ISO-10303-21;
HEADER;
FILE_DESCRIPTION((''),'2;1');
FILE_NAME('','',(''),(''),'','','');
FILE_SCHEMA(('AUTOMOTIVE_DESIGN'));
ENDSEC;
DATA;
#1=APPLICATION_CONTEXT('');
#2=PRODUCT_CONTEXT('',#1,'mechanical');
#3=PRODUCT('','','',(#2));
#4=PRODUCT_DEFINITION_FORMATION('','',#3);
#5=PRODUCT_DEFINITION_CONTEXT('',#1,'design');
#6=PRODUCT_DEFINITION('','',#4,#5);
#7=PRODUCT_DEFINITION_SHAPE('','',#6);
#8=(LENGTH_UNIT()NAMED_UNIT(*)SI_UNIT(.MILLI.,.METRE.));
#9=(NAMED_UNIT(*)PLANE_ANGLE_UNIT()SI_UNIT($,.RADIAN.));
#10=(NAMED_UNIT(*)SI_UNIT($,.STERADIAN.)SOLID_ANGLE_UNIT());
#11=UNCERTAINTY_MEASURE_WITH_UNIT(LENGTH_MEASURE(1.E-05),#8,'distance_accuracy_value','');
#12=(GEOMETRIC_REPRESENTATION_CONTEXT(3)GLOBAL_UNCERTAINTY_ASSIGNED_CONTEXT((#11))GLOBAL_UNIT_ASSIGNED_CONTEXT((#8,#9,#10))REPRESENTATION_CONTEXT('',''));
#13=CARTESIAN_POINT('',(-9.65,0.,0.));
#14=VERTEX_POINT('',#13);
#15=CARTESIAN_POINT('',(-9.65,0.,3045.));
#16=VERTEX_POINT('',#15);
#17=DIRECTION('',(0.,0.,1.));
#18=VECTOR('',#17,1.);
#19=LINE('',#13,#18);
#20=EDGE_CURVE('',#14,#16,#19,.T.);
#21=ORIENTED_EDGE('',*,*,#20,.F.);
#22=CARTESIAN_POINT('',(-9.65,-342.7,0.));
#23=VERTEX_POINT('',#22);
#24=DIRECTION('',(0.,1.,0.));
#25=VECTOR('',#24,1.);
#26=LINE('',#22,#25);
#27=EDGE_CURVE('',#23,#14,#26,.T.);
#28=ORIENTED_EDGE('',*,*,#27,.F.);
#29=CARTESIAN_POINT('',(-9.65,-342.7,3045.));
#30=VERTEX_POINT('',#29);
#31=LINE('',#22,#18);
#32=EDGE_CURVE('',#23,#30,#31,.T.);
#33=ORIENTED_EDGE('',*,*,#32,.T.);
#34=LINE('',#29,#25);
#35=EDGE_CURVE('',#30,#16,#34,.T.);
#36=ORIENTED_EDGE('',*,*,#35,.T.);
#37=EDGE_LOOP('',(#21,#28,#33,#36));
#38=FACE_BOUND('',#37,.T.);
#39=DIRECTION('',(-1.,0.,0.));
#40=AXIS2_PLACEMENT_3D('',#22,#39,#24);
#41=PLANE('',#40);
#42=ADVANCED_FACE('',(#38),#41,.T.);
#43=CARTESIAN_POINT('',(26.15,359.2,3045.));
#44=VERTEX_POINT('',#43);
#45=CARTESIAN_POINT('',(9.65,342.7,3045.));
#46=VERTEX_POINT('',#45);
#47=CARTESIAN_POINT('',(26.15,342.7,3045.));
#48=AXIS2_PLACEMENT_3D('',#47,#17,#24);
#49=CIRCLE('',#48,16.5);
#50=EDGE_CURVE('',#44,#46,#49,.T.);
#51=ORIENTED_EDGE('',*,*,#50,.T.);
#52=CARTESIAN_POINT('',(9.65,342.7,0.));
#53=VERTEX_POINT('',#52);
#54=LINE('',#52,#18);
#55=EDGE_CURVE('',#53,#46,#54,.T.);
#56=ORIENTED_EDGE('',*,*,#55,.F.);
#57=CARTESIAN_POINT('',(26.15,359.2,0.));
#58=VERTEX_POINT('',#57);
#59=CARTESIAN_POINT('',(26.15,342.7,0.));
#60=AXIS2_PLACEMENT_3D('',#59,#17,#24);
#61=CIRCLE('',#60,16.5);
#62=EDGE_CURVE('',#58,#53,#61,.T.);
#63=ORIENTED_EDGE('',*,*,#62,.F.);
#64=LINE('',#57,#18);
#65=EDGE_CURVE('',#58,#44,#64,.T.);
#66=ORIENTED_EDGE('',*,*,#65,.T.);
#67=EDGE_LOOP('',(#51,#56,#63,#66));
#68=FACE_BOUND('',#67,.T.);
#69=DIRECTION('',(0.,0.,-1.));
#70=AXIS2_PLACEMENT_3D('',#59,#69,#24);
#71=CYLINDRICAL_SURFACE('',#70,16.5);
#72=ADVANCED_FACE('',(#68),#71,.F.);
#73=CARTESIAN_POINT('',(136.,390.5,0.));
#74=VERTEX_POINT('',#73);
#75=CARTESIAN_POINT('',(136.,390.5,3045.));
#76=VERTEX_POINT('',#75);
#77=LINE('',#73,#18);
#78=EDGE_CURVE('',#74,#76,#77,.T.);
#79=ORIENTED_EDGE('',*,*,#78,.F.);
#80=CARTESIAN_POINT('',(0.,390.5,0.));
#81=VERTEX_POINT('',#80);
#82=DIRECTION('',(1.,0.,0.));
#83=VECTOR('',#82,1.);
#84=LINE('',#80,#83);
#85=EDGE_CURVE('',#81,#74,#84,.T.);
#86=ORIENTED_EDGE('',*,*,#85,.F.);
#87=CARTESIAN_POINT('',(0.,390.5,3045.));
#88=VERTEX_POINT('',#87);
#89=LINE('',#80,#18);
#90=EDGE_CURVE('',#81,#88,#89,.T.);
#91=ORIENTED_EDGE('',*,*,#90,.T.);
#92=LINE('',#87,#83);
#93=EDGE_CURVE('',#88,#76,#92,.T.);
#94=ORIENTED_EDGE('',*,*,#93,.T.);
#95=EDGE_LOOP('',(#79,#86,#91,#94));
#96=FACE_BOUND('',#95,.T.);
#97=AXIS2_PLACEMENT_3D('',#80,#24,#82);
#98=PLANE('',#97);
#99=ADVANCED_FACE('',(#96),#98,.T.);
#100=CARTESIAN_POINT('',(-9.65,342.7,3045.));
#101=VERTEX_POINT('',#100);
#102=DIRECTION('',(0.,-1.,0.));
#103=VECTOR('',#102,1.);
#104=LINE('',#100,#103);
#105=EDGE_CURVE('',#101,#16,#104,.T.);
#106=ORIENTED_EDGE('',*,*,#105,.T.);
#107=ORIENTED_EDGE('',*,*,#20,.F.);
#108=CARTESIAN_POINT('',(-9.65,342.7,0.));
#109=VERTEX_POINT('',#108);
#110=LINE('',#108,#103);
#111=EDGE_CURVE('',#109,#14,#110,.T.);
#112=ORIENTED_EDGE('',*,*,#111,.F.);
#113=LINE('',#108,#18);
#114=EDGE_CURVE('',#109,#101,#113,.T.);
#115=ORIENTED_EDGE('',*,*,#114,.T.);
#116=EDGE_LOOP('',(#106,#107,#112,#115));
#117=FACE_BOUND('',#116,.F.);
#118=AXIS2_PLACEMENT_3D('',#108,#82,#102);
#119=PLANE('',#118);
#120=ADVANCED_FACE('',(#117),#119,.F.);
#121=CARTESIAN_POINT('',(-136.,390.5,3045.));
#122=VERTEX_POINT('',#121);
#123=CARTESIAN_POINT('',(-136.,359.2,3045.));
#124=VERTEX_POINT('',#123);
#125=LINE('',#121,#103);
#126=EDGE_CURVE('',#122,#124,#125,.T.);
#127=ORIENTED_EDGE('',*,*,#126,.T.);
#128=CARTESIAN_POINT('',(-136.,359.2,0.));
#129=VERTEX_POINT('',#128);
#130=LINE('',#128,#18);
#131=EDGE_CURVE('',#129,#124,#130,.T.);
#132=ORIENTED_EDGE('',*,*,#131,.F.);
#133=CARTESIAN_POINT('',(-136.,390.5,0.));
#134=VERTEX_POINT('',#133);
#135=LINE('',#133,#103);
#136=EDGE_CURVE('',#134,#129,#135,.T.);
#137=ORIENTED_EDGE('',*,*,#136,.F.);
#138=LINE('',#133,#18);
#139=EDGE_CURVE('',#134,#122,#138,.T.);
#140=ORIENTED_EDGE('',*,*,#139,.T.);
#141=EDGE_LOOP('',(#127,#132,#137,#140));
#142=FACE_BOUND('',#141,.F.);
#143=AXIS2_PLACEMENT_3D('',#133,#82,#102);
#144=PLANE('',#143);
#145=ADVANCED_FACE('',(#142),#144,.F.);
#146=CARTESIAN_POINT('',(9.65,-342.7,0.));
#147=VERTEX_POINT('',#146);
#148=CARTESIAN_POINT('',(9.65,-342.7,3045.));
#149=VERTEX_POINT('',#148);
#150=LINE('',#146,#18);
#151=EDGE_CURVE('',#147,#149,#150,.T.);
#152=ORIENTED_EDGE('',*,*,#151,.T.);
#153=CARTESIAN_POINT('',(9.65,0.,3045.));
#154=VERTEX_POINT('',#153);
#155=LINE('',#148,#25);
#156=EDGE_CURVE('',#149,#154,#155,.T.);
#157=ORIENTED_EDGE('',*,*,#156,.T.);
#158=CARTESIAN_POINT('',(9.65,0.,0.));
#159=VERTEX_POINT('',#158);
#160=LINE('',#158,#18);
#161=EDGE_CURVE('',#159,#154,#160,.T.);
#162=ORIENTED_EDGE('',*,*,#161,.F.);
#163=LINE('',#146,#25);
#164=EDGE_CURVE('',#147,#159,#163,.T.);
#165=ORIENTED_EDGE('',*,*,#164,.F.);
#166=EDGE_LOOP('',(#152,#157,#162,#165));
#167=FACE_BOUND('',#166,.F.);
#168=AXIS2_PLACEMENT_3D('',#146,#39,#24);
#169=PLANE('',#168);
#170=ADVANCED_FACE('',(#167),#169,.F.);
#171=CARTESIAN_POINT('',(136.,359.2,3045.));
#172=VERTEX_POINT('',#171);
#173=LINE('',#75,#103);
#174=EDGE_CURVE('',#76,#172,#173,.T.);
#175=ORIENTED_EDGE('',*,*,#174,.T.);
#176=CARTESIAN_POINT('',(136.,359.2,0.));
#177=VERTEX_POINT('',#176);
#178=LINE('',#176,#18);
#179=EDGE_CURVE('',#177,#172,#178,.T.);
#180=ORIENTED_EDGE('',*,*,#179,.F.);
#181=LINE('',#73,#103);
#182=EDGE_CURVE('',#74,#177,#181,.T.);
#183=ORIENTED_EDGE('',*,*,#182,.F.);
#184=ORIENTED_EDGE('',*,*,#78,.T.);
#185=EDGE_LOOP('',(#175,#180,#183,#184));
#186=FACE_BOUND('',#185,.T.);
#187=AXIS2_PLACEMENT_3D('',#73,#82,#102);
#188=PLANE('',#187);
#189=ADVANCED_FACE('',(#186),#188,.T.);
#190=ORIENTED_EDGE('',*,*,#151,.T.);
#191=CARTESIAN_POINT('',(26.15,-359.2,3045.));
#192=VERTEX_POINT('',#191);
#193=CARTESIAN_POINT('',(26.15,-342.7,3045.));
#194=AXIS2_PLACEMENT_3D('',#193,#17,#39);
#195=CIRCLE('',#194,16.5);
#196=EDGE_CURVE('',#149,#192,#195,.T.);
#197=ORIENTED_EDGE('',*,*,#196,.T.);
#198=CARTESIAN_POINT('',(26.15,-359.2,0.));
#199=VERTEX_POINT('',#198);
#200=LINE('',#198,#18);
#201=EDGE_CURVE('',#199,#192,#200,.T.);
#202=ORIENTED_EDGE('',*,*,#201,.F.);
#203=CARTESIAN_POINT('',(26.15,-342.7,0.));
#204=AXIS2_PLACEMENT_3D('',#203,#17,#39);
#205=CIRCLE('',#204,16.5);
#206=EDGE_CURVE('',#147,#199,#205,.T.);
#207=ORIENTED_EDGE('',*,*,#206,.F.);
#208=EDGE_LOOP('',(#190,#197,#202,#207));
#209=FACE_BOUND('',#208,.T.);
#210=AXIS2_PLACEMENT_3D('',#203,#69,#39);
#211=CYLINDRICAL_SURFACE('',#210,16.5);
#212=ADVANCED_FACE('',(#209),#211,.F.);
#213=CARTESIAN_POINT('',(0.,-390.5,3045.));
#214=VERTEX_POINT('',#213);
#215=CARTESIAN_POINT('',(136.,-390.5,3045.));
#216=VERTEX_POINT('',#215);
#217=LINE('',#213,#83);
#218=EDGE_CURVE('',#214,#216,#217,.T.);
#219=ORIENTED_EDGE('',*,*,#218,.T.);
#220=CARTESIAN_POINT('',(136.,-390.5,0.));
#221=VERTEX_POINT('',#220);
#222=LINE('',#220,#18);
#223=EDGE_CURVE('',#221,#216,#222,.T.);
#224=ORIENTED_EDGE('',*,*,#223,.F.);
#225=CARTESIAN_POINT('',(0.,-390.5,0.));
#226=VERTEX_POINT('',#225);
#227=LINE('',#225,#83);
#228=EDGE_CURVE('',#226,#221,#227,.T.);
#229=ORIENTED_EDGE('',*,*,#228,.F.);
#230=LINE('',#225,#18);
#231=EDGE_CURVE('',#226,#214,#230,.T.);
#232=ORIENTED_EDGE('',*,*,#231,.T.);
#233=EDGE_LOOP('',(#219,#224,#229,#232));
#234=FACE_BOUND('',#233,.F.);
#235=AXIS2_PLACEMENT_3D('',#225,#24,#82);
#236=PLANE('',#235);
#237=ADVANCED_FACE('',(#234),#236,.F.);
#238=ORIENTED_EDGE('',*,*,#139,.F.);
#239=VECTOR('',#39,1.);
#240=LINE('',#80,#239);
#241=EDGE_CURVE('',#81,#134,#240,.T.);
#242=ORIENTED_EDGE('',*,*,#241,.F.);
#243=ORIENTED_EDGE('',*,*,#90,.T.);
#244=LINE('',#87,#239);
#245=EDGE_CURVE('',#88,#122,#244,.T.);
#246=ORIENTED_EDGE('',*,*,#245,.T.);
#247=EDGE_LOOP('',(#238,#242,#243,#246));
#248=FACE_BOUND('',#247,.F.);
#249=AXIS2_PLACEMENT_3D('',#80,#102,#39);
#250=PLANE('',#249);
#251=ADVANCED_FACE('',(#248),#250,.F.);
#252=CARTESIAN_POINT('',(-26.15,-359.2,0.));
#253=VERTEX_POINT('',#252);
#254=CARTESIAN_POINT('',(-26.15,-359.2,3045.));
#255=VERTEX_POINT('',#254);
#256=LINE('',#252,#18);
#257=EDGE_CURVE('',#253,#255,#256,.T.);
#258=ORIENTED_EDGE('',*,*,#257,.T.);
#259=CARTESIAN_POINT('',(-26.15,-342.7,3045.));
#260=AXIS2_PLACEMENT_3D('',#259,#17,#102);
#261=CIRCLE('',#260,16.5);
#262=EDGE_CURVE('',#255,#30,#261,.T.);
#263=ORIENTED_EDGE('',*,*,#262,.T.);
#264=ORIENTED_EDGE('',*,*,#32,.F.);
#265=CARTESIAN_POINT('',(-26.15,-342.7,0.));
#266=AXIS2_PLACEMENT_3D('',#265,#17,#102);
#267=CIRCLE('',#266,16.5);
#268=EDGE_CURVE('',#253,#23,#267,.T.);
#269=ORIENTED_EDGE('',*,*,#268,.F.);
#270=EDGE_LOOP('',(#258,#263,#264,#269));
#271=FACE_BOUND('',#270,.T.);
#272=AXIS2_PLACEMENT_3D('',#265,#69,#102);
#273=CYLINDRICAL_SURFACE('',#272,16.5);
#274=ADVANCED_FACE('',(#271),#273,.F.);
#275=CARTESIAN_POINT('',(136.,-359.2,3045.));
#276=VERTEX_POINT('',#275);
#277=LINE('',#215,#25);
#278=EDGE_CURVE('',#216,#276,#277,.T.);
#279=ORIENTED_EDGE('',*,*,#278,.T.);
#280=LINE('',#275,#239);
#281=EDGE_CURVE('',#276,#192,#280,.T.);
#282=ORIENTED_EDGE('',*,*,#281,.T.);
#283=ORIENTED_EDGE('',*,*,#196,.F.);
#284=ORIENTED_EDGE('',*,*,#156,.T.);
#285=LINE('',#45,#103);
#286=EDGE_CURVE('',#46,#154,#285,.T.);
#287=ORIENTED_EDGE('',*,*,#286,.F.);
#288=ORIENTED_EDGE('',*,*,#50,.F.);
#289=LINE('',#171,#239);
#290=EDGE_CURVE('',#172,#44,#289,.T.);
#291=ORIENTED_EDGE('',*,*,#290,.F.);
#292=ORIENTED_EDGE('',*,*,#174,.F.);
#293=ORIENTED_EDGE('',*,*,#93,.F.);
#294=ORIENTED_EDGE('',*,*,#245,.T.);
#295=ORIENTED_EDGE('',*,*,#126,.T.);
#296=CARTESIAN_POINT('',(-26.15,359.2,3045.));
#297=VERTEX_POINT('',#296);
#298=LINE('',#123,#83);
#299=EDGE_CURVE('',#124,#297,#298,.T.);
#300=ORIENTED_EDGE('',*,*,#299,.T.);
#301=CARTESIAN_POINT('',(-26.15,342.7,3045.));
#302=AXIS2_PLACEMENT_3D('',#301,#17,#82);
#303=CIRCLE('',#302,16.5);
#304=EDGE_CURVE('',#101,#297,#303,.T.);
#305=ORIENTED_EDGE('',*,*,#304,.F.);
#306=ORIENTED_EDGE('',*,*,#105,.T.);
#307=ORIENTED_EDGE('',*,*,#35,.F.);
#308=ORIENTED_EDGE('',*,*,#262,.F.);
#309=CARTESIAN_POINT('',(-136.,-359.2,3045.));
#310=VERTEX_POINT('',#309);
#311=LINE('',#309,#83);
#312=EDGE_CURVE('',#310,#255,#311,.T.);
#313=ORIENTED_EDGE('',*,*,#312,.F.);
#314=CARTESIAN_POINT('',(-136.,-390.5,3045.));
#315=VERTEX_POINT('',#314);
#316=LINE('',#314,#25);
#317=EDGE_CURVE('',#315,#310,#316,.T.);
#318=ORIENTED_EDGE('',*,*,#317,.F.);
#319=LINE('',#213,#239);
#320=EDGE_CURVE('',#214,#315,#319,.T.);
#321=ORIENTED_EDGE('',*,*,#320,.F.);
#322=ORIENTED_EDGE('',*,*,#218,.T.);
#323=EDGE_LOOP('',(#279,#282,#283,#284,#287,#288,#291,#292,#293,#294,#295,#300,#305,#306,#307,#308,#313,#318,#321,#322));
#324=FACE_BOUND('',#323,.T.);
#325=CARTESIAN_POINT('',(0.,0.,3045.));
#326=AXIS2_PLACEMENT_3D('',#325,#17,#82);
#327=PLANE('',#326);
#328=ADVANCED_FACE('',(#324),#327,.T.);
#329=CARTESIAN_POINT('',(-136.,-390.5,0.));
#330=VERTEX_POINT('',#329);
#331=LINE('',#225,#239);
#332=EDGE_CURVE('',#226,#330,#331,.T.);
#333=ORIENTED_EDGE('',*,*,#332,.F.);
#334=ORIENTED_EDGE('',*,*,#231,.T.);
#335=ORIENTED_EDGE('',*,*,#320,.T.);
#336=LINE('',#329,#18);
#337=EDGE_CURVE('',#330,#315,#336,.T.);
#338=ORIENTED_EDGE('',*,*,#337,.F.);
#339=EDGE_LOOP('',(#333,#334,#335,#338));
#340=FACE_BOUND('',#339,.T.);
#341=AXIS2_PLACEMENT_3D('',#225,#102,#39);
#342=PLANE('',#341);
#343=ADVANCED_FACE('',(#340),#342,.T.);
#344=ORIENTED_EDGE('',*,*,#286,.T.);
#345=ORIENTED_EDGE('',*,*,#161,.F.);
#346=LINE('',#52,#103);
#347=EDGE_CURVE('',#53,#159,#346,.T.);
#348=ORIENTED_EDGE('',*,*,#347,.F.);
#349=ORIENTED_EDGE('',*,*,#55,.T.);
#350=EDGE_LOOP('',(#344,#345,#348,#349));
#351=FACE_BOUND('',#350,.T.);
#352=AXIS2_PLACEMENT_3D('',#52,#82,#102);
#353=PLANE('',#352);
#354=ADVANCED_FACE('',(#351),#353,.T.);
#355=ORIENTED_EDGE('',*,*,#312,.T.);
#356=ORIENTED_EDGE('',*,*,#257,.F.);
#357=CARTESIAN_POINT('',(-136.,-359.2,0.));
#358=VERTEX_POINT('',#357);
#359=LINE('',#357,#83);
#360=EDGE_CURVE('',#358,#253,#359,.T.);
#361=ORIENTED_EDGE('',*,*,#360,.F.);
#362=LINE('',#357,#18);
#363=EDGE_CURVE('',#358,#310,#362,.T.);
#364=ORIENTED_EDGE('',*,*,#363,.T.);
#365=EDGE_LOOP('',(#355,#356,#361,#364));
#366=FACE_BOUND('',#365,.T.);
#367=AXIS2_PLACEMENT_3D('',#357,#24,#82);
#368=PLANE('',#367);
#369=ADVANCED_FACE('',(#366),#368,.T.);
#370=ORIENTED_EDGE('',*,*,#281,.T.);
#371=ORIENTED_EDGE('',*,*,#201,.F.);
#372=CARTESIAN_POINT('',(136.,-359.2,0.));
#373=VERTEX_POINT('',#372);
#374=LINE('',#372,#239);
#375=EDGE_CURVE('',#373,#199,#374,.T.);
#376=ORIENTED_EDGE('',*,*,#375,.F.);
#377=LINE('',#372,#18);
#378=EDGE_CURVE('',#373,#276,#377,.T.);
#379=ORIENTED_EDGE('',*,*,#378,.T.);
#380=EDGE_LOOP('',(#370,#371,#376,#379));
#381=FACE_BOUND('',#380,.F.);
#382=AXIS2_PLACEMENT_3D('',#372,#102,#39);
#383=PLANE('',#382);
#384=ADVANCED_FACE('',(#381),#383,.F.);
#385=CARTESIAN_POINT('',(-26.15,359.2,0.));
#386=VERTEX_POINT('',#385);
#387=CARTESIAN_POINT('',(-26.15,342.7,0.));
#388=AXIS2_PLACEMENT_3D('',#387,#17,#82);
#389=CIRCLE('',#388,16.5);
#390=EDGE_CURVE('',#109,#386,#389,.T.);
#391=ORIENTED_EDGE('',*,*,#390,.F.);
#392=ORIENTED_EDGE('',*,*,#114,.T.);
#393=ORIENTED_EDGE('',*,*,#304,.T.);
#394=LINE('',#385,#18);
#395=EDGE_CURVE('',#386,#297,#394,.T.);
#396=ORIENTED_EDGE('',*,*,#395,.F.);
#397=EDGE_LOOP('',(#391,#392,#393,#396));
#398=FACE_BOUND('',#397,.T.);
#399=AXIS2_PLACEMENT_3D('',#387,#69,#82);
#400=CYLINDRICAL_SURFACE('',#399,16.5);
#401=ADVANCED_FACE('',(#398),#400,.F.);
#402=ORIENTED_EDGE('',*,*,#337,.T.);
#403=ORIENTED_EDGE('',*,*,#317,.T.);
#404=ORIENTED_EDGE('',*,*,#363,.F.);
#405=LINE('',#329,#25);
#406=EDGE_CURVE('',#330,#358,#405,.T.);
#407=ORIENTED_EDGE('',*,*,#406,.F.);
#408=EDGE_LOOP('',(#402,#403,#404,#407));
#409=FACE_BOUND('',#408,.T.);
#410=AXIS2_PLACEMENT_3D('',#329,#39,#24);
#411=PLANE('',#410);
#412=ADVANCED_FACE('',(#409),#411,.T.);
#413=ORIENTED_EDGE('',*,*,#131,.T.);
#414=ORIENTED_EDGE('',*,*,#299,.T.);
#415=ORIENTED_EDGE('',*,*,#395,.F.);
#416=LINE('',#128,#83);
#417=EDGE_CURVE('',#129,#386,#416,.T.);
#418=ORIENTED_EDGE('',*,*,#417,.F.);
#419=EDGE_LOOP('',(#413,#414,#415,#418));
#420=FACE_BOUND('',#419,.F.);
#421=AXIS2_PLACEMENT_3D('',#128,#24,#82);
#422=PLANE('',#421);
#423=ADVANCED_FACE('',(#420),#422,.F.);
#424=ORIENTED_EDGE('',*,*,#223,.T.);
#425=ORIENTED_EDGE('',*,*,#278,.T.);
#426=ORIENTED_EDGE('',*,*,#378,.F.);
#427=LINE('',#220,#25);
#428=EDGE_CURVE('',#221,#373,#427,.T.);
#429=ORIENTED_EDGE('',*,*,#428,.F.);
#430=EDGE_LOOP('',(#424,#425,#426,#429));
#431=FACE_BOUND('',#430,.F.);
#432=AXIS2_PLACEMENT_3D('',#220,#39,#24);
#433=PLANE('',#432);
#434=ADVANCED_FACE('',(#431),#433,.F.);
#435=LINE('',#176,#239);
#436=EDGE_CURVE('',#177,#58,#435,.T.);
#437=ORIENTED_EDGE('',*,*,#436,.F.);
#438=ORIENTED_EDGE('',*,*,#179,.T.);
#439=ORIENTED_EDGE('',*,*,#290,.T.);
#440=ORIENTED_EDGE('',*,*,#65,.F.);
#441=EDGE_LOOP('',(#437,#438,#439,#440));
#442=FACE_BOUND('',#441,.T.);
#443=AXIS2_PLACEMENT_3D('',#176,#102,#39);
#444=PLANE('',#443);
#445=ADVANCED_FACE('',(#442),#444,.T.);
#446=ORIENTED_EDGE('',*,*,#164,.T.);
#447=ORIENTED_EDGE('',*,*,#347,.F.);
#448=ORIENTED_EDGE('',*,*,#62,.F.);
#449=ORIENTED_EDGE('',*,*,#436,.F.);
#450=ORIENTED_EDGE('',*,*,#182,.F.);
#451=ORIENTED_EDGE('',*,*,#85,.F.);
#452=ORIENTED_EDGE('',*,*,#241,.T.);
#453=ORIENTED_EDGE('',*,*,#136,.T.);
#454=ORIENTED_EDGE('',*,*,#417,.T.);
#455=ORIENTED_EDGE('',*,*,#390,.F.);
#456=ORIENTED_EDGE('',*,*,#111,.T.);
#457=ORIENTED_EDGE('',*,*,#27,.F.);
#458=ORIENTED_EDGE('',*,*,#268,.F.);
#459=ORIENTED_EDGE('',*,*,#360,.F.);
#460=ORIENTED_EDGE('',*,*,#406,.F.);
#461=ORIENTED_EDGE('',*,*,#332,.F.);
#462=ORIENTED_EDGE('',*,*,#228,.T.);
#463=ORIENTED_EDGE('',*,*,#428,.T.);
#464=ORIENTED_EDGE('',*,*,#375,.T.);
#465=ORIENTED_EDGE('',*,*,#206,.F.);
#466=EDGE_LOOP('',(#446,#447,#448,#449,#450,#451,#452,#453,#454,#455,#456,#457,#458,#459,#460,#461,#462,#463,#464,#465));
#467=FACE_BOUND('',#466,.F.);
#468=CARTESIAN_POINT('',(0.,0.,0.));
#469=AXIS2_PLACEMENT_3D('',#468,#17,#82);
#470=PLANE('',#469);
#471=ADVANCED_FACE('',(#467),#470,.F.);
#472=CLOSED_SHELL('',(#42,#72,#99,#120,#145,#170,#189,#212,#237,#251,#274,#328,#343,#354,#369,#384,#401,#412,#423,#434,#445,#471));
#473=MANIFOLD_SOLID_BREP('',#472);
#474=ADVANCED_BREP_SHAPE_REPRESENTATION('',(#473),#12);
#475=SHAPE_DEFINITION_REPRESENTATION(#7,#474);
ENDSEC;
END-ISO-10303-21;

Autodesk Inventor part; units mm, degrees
ref_plane "YZ Plane" through (0, 0, 0) normal (1, 0, 0) x (0, 1, 0)
ref_plane "Start plane" through (0, 0, 0) normal (0, 0, 1) x (1, 0, 0)
ref_plane "End plane" through (0, 0, 3045) normal (0, 0, 1) x (1, 0, 0)
sketch "Sketch" plane through (0, 0, 0) normal (0, 0, 1) x (1, 0, 0)
  line L0 (-136, -390.5) -> (-136, -359.2)
  line L1 (-136, -359.2) -> (-26.15, -359.2)
  line L2 (-9.65, -342.7) -> (-9.65, 0)
  line L3 (-9.65, 0) -> (0, 0) construction
  line L4 (0, 0) -> (0, -390.5) construction
  line L5 (0, -390.5) -> (-136, -390.5)
  line L6 (-60, 0) -> (80, 0) construction
  line L7 (0, -60) -> (0, 80) construction
  line L8 (136, -390.5) -> (136, -359.2)
  line L9 (136, -359.2) -> (26.15, -359.2)
  line L10 (9.65, -342.7) -> (9.65, 0)
  line L11 (9.65, 0) -> (0, 0) construction
  line L12 (0, -390.5) -> (136, -390.5)
  line L13 (-136, 390.5) -> (-136, 359.2)
  line L14 (-136, 359.2) -> (-26.15, 359.2)
  line L15 (-9.65, 342.7) -> (-9.65, 0)
  line L16 (0, 390.5) -> (-136, 390.5)
  line L17 (136, 390.5) -> (136, 359.2)
  line L18 (136, 359.2) -> (26.15, 359.2)
  line L19 (0, 390.5) -> (136, 390.5)
  line L20 (9.65, 342.7) -> (9.65, 0)
  arc A0 (-9.65, 342.7) -> (-26.15, 359.2) centre (-26.15, 342.7) ccw
  arc A1 (26.15, 359.2) -> (9.65, 342.7) centre (26.15, 342.7) ccw
  arc A2 (9.65, -342.7) -> (26.15, -359.2) centre (26.15, -342.7) ccw
  arc A3 (-26.15, -359.2) -> (-9.65, -342.7) centre (-26.15, -342.7) ccw
  line L21 (0, 108) -> (0, -88) construction
  line L22 (-88, 0) -> (108, 0) construction
  point P0 (-9.65, -359.2)
  point P1 (9.65, -359.2)
  point P2 (-9.65, 359.2)
  point P3 (9.65, 359.2)
  dimension "d1" = 390.5
  dimension "d2" = 31.3
  dimension "d3" = 136
  dimension "d4" = 9.65
  dimension "d10" = 16.5
extrude "Body" add sketch "Sketch" along normal up to surface (3045 mm away) from surface at 0
sketch "Sketch4" plane through (0, 0, 0) normal (0, 0, 1) x (1, 0, 0)
  line L0 (0, 0) -> (10, 0)
ref_plane "Work Plane3" through (0, 0, 0) normal (0, -1, 0) x (1, 0, 0)
sketch "Sketch5" plane through (0, 0, 0) normal (0, -1, 0) x (1, 0, 0)
  line L0 (-2, 0) -> (12, 0) projected
  line L1 (-2, 3045) -> (12, 3045) projected
  dimension "d14" = 3045
equation "\"d1\" = 0.5 * G_H"
equation "\"d2\" = G_T1"
equation "\"d3\" = 0.5 * G_W"
equation "\"d4\" = 0.5 * G_T"
equation "\"d10\" = G_IR"
equation "\"d5\" = G_L"
equation "\"G_W\" = 272"
equation "\"G_H\" = 781"
equation "\"G_T\" = 19.3"
equation "\"G_T1\" = 31.3"
equation "\"G_IR\" = 16.5"
equation "\"G_L\" = d14"
equation "\"G_OFFSET_START\" = 0"
equation "\"G_OFFSET_END\" = 0"
equation "\"d12\" = G_OFFSET_END + B_L"
equation "\"B_L\" = 3045"
properties part number "AS 3679-1990 - 760 UB - 244 - 3045" material "Steel, Mild"
